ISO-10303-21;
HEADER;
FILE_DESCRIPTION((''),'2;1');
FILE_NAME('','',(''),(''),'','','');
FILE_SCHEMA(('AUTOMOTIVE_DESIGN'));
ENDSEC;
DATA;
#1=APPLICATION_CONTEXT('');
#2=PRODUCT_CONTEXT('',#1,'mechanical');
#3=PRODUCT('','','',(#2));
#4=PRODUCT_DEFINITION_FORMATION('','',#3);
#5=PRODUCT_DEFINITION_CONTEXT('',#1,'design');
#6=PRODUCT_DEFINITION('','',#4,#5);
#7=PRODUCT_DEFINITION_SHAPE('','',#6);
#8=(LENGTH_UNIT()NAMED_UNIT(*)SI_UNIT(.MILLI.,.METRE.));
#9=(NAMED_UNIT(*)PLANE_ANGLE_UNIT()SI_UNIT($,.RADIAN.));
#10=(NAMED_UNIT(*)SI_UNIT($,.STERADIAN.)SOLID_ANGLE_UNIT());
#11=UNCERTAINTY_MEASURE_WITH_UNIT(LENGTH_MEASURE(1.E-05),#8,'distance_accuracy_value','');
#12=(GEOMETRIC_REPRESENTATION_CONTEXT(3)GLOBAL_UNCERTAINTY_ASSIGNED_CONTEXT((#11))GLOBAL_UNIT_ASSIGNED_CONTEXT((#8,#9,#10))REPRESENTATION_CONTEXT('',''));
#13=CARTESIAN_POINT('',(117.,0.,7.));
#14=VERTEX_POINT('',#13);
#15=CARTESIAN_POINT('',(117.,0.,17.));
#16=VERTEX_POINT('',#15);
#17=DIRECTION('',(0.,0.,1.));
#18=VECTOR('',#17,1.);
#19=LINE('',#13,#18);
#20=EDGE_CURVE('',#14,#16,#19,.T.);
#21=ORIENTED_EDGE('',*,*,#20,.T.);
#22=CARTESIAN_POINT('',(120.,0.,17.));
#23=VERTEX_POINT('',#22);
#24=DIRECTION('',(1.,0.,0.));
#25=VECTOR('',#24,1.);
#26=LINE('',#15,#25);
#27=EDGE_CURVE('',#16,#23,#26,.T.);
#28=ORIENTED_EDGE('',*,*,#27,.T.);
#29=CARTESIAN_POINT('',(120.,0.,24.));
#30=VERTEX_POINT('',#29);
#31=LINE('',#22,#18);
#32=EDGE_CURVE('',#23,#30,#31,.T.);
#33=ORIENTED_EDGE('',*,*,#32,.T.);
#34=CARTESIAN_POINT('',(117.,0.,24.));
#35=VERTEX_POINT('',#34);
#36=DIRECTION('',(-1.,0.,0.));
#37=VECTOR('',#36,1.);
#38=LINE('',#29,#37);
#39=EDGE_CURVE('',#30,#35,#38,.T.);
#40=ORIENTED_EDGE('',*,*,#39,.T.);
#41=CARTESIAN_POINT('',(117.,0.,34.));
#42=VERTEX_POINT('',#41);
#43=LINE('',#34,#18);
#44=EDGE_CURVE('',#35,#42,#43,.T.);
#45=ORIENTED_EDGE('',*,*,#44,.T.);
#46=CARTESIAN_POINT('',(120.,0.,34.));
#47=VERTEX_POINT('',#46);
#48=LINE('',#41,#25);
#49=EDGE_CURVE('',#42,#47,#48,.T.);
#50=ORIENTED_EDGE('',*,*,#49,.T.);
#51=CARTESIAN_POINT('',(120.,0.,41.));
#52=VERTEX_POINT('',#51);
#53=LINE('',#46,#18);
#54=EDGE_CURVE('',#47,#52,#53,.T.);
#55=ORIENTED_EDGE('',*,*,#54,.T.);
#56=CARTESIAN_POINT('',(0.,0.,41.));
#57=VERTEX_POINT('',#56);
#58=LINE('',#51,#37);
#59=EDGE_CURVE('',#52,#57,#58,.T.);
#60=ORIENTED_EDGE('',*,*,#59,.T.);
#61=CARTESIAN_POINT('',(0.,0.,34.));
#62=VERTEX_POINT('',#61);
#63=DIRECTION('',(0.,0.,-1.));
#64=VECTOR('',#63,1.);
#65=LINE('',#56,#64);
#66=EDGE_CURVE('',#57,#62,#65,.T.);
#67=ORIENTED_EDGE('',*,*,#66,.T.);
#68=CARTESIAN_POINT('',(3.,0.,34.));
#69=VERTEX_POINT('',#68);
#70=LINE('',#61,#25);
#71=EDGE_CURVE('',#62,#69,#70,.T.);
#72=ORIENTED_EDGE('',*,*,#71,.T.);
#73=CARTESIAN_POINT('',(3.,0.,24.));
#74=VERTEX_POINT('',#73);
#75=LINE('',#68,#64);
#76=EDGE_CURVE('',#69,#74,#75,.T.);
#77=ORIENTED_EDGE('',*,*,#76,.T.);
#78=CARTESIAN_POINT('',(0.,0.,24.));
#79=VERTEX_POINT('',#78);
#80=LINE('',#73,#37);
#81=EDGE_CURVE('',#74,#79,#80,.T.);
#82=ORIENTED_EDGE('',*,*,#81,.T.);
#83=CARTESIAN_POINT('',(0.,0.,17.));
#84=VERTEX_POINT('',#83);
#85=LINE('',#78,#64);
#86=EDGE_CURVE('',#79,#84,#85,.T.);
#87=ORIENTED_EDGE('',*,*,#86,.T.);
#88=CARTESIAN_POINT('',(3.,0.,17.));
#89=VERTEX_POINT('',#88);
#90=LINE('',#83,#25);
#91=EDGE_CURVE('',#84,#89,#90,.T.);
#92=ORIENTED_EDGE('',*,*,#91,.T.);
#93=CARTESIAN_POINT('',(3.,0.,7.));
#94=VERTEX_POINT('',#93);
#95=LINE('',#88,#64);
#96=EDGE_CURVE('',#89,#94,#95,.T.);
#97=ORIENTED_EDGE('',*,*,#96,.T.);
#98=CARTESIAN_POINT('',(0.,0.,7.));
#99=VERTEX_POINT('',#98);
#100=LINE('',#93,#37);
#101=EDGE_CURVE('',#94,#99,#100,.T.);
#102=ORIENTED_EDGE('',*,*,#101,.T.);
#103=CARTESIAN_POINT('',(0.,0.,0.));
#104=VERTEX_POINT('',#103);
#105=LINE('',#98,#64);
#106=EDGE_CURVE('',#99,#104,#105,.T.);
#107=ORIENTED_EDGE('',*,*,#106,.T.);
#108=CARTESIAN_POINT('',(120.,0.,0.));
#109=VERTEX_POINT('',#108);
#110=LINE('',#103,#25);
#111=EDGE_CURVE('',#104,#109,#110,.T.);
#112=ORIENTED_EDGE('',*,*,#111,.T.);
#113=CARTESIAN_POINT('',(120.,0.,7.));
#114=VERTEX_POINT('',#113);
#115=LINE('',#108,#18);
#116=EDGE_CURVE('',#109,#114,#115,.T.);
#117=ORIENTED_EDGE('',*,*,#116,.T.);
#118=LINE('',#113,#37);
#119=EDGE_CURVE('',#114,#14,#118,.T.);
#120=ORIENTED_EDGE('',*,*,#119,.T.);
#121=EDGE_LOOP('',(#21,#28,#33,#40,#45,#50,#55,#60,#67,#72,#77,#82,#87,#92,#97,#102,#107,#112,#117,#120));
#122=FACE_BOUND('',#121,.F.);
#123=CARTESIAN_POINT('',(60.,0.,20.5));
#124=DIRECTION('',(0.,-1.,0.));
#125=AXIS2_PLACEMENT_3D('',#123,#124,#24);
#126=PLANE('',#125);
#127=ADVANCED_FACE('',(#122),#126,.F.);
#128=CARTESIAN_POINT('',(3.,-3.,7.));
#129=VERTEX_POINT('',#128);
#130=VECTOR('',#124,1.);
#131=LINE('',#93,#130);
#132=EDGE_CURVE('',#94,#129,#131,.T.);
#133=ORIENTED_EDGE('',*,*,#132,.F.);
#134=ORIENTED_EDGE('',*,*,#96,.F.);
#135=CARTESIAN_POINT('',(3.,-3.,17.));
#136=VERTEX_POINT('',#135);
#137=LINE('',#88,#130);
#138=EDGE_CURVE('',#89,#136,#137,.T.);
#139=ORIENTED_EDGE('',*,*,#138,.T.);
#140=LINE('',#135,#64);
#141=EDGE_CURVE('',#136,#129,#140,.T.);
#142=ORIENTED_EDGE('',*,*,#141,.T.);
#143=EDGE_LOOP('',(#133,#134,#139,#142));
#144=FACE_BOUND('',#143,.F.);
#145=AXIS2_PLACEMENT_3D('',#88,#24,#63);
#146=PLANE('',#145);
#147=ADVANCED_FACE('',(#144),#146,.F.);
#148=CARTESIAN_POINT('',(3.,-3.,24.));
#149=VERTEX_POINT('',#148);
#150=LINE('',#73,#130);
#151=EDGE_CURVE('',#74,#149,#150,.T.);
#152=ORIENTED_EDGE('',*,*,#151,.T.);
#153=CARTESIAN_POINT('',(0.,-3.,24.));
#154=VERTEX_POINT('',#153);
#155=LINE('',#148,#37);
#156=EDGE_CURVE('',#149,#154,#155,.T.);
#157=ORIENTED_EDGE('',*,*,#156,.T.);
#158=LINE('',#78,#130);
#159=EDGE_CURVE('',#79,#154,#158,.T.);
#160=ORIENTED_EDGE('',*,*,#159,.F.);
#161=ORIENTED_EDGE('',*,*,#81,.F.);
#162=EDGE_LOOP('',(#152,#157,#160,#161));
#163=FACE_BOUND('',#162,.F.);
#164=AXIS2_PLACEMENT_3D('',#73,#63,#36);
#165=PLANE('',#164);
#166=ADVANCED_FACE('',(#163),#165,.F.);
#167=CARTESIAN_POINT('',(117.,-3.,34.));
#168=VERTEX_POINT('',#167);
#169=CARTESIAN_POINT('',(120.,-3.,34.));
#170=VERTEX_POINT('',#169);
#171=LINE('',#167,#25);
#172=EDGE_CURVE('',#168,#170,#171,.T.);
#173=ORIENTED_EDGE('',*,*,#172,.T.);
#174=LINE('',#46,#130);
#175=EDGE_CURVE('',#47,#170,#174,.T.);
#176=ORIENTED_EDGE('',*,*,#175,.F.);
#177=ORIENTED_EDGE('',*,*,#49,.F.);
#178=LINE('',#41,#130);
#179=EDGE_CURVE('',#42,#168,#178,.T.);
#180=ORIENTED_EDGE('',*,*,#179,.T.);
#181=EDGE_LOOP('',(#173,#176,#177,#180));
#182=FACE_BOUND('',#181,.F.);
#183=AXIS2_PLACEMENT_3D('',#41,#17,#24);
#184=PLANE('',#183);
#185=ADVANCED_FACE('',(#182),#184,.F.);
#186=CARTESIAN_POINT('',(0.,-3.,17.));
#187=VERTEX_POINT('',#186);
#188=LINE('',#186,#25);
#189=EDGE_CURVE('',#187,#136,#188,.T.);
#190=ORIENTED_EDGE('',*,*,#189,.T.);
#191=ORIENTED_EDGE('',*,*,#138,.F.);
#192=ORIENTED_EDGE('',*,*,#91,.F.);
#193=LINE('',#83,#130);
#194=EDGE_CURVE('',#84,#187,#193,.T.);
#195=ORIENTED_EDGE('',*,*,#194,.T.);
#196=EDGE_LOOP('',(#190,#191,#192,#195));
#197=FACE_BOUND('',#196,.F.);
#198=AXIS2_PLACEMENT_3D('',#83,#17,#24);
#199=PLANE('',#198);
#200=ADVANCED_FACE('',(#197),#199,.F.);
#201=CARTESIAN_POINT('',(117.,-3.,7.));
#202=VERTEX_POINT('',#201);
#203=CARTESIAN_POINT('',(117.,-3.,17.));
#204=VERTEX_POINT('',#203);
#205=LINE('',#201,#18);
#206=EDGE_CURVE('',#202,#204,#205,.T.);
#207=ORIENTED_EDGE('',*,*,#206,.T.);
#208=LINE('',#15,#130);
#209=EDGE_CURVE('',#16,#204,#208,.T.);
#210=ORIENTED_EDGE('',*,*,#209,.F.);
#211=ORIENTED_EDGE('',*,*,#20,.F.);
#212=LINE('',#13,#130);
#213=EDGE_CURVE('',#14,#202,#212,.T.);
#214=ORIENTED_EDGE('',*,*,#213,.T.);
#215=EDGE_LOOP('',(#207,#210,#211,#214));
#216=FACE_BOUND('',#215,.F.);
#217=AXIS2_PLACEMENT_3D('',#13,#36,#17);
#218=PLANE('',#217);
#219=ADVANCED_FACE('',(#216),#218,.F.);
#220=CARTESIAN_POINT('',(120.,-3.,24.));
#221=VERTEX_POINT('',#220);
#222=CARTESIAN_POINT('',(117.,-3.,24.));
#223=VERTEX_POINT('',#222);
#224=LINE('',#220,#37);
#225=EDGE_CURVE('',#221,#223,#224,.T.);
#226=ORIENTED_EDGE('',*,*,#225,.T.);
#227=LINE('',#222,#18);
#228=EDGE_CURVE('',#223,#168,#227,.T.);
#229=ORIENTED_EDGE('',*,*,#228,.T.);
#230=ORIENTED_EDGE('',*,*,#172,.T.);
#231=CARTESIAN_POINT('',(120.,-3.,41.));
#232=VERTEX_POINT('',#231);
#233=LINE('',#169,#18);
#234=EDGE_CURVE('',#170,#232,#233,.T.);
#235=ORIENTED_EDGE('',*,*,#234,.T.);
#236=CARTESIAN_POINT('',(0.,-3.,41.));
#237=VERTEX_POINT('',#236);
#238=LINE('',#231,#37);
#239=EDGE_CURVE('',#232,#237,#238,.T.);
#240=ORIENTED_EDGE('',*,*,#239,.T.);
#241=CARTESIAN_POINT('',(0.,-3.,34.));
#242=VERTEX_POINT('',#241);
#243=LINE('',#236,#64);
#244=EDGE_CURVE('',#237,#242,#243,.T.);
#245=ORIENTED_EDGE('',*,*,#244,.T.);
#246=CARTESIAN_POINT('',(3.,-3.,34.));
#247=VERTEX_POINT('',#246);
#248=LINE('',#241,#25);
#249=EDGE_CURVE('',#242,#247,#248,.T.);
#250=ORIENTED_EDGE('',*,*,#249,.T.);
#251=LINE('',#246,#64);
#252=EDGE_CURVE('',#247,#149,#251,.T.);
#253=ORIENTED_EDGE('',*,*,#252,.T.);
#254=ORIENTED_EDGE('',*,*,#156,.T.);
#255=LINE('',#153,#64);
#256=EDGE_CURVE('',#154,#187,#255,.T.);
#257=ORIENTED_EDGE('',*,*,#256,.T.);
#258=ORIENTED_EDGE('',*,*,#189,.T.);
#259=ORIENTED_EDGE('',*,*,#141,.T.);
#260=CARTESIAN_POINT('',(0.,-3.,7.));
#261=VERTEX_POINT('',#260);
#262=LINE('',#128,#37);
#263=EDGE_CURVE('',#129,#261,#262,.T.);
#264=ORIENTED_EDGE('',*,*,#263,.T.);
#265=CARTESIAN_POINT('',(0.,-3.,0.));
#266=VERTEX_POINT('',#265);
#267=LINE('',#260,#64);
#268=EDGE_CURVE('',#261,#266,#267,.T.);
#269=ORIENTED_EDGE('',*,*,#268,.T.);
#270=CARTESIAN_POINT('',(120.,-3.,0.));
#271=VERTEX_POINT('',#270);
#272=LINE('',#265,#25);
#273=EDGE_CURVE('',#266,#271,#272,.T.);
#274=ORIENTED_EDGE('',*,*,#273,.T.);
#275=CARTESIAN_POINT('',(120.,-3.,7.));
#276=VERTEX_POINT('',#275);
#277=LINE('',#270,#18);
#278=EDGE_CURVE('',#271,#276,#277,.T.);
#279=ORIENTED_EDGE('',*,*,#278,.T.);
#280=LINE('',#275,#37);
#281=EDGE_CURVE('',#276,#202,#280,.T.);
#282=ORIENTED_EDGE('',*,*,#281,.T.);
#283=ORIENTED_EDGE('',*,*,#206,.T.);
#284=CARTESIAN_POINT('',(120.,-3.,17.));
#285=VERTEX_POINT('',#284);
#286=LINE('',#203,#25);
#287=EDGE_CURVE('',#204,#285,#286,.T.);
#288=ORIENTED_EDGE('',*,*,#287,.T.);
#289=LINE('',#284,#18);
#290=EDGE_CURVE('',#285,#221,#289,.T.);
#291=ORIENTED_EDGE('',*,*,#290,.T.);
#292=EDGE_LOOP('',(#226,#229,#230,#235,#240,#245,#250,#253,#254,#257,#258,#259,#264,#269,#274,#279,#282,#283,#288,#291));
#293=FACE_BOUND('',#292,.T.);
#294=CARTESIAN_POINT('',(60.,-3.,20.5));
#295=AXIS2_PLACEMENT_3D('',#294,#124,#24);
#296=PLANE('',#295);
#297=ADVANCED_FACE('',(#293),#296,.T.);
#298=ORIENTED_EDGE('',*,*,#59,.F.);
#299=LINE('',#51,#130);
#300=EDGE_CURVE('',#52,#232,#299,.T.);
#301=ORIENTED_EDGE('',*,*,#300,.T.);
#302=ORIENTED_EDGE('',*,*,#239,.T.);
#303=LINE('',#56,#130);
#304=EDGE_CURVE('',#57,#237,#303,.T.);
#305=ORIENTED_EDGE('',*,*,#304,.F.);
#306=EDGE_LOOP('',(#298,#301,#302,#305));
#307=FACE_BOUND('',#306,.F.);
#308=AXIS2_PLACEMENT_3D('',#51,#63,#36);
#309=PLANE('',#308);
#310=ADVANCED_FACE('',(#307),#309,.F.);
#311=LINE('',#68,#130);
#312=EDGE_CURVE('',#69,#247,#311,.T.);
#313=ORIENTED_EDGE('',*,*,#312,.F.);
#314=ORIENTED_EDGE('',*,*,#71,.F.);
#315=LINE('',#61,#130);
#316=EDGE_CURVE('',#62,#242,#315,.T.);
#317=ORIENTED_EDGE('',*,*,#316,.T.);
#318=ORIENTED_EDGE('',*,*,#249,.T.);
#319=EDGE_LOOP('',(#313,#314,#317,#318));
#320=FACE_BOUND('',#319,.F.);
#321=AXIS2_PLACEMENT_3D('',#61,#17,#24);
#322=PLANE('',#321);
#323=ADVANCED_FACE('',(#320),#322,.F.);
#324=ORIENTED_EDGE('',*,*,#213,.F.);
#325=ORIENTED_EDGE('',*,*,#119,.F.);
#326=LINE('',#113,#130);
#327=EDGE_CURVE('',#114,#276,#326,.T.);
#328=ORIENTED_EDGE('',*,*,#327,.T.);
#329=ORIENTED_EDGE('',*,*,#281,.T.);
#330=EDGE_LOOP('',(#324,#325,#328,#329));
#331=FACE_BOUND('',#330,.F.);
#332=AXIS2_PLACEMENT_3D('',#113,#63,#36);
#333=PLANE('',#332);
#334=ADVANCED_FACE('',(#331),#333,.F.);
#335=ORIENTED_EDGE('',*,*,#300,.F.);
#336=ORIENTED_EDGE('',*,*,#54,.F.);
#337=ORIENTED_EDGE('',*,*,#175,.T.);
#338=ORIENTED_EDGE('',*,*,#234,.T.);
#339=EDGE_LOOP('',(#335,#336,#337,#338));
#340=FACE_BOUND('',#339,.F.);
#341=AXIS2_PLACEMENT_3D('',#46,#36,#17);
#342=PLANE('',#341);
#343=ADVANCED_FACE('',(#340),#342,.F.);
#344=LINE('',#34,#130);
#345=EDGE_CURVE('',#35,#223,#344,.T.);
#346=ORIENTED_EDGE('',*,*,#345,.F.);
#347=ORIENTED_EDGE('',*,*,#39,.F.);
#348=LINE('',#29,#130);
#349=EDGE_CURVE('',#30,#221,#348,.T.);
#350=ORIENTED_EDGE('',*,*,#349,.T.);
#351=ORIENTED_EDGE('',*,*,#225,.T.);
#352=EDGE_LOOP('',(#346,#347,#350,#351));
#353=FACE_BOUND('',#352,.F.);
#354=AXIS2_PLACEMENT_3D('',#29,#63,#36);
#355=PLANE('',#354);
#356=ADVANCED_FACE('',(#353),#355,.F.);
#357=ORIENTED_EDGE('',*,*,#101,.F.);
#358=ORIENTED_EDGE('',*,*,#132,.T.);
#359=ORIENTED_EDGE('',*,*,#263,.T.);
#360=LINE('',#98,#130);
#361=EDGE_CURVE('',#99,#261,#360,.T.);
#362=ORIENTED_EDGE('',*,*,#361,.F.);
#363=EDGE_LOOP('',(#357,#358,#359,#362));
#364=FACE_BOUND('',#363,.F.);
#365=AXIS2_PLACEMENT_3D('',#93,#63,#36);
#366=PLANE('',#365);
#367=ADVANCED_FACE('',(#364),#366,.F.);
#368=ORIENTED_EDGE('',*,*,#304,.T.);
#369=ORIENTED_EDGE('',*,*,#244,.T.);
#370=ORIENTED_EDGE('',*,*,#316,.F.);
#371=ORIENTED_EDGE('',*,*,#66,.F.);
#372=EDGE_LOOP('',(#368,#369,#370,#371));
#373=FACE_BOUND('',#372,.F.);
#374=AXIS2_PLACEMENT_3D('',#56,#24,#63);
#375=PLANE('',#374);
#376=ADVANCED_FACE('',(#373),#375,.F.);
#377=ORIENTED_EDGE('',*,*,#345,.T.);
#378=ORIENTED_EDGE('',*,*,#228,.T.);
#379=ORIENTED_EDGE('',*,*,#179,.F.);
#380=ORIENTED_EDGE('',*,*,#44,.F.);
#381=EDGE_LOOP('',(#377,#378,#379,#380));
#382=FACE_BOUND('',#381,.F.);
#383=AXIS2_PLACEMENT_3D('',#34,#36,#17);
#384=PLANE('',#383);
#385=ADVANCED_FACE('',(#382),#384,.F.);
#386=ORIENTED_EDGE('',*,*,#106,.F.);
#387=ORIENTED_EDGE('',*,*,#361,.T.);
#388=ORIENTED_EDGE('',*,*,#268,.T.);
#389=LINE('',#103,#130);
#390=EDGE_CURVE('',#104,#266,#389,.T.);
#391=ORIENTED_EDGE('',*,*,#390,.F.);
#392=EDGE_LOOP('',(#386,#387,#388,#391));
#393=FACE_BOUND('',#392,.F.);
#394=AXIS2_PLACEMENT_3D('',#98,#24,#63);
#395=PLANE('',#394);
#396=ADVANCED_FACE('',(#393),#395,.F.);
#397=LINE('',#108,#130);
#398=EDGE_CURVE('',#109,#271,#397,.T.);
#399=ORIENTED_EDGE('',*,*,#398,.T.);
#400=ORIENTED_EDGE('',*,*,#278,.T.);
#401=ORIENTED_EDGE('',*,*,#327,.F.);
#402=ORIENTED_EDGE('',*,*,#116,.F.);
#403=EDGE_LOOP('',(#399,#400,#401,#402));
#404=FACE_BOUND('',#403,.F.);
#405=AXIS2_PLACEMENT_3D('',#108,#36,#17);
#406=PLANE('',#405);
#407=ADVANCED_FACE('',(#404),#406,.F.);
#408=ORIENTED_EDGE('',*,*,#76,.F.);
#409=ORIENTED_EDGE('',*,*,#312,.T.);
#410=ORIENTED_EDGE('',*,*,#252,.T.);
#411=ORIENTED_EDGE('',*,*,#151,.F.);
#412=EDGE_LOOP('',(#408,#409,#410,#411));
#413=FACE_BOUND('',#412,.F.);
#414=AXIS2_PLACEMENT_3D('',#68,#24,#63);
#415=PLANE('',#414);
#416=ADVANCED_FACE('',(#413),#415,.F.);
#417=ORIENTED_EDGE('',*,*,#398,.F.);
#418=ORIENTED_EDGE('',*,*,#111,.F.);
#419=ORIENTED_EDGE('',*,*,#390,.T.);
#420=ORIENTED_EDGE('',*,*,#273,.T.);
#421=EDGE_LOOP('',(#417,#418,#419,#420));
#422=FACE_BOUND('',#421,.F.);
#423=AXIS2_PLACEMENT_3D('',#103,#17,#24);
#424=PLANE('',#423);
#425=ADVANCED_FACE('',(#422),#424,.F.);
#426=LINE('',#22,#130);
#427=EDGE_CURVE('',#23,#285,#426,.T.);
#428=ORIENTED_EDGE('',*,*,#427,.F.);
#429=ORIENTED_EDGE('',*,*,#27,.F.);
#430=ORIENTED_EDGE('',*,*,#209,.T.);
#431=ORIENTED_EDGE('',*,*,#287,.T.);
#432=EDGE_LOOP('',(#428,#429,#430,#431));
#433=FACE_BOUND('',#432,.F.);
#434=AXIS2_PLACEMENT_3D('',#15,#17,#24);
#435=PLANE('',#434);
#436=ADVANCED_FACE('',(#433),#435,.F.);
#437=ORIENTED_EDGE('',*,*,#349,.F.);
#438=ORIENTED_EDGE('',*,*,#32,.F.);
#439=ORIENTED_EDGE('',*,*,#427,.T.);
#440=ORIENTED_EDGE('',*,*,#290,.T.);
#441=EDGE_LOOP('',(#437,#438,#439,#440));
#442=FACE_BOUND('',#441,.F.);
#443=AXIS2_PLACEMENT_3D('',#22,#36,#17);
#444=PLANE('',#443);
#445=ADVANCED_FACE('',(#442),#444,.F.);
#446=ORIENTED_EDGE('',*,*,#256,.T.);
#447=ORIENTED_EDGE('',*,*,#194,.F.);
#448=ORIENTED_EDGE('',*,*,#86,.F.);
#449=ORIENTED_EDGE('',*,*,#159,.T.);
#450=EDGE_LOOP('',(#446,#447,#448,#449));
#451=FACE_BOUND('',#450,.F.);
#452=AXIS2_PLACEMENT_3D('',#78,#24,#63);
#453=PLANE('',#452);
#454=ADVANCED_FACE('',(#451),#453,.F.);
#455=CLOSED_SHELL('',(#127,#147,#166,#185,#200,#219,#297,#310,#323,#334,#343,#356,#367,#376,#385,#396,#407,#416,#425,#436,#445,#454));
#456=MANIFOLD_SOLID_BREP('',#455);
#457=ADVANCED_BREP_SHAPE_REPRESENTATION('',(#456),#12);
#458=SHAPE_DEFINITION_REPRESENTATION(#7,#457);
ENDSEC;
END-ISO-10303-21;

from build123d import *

# Parameters (mm, degrees)
F1_DEPTH = 3


with BuildPart() as f1:
    # F0 (on Front) → F1 (new body)
    with BuildSketch(Plane.XZ):
        Polygon((60, 41), (0, 41), (0, 34), (3, 34), (3, 24), (0, 24), (0, 17), (3, 17), (3, 7), (0, 7), (0, 0), (60, 0), (120, 0), (120, 7), (117, 7), (117, 17), (120, 17), (120, 24), (117, 24), (117, 34), (120, 34), (120, 41), align=None)
    extrude(amount=F1_DEPTH)


solid = f1.part
